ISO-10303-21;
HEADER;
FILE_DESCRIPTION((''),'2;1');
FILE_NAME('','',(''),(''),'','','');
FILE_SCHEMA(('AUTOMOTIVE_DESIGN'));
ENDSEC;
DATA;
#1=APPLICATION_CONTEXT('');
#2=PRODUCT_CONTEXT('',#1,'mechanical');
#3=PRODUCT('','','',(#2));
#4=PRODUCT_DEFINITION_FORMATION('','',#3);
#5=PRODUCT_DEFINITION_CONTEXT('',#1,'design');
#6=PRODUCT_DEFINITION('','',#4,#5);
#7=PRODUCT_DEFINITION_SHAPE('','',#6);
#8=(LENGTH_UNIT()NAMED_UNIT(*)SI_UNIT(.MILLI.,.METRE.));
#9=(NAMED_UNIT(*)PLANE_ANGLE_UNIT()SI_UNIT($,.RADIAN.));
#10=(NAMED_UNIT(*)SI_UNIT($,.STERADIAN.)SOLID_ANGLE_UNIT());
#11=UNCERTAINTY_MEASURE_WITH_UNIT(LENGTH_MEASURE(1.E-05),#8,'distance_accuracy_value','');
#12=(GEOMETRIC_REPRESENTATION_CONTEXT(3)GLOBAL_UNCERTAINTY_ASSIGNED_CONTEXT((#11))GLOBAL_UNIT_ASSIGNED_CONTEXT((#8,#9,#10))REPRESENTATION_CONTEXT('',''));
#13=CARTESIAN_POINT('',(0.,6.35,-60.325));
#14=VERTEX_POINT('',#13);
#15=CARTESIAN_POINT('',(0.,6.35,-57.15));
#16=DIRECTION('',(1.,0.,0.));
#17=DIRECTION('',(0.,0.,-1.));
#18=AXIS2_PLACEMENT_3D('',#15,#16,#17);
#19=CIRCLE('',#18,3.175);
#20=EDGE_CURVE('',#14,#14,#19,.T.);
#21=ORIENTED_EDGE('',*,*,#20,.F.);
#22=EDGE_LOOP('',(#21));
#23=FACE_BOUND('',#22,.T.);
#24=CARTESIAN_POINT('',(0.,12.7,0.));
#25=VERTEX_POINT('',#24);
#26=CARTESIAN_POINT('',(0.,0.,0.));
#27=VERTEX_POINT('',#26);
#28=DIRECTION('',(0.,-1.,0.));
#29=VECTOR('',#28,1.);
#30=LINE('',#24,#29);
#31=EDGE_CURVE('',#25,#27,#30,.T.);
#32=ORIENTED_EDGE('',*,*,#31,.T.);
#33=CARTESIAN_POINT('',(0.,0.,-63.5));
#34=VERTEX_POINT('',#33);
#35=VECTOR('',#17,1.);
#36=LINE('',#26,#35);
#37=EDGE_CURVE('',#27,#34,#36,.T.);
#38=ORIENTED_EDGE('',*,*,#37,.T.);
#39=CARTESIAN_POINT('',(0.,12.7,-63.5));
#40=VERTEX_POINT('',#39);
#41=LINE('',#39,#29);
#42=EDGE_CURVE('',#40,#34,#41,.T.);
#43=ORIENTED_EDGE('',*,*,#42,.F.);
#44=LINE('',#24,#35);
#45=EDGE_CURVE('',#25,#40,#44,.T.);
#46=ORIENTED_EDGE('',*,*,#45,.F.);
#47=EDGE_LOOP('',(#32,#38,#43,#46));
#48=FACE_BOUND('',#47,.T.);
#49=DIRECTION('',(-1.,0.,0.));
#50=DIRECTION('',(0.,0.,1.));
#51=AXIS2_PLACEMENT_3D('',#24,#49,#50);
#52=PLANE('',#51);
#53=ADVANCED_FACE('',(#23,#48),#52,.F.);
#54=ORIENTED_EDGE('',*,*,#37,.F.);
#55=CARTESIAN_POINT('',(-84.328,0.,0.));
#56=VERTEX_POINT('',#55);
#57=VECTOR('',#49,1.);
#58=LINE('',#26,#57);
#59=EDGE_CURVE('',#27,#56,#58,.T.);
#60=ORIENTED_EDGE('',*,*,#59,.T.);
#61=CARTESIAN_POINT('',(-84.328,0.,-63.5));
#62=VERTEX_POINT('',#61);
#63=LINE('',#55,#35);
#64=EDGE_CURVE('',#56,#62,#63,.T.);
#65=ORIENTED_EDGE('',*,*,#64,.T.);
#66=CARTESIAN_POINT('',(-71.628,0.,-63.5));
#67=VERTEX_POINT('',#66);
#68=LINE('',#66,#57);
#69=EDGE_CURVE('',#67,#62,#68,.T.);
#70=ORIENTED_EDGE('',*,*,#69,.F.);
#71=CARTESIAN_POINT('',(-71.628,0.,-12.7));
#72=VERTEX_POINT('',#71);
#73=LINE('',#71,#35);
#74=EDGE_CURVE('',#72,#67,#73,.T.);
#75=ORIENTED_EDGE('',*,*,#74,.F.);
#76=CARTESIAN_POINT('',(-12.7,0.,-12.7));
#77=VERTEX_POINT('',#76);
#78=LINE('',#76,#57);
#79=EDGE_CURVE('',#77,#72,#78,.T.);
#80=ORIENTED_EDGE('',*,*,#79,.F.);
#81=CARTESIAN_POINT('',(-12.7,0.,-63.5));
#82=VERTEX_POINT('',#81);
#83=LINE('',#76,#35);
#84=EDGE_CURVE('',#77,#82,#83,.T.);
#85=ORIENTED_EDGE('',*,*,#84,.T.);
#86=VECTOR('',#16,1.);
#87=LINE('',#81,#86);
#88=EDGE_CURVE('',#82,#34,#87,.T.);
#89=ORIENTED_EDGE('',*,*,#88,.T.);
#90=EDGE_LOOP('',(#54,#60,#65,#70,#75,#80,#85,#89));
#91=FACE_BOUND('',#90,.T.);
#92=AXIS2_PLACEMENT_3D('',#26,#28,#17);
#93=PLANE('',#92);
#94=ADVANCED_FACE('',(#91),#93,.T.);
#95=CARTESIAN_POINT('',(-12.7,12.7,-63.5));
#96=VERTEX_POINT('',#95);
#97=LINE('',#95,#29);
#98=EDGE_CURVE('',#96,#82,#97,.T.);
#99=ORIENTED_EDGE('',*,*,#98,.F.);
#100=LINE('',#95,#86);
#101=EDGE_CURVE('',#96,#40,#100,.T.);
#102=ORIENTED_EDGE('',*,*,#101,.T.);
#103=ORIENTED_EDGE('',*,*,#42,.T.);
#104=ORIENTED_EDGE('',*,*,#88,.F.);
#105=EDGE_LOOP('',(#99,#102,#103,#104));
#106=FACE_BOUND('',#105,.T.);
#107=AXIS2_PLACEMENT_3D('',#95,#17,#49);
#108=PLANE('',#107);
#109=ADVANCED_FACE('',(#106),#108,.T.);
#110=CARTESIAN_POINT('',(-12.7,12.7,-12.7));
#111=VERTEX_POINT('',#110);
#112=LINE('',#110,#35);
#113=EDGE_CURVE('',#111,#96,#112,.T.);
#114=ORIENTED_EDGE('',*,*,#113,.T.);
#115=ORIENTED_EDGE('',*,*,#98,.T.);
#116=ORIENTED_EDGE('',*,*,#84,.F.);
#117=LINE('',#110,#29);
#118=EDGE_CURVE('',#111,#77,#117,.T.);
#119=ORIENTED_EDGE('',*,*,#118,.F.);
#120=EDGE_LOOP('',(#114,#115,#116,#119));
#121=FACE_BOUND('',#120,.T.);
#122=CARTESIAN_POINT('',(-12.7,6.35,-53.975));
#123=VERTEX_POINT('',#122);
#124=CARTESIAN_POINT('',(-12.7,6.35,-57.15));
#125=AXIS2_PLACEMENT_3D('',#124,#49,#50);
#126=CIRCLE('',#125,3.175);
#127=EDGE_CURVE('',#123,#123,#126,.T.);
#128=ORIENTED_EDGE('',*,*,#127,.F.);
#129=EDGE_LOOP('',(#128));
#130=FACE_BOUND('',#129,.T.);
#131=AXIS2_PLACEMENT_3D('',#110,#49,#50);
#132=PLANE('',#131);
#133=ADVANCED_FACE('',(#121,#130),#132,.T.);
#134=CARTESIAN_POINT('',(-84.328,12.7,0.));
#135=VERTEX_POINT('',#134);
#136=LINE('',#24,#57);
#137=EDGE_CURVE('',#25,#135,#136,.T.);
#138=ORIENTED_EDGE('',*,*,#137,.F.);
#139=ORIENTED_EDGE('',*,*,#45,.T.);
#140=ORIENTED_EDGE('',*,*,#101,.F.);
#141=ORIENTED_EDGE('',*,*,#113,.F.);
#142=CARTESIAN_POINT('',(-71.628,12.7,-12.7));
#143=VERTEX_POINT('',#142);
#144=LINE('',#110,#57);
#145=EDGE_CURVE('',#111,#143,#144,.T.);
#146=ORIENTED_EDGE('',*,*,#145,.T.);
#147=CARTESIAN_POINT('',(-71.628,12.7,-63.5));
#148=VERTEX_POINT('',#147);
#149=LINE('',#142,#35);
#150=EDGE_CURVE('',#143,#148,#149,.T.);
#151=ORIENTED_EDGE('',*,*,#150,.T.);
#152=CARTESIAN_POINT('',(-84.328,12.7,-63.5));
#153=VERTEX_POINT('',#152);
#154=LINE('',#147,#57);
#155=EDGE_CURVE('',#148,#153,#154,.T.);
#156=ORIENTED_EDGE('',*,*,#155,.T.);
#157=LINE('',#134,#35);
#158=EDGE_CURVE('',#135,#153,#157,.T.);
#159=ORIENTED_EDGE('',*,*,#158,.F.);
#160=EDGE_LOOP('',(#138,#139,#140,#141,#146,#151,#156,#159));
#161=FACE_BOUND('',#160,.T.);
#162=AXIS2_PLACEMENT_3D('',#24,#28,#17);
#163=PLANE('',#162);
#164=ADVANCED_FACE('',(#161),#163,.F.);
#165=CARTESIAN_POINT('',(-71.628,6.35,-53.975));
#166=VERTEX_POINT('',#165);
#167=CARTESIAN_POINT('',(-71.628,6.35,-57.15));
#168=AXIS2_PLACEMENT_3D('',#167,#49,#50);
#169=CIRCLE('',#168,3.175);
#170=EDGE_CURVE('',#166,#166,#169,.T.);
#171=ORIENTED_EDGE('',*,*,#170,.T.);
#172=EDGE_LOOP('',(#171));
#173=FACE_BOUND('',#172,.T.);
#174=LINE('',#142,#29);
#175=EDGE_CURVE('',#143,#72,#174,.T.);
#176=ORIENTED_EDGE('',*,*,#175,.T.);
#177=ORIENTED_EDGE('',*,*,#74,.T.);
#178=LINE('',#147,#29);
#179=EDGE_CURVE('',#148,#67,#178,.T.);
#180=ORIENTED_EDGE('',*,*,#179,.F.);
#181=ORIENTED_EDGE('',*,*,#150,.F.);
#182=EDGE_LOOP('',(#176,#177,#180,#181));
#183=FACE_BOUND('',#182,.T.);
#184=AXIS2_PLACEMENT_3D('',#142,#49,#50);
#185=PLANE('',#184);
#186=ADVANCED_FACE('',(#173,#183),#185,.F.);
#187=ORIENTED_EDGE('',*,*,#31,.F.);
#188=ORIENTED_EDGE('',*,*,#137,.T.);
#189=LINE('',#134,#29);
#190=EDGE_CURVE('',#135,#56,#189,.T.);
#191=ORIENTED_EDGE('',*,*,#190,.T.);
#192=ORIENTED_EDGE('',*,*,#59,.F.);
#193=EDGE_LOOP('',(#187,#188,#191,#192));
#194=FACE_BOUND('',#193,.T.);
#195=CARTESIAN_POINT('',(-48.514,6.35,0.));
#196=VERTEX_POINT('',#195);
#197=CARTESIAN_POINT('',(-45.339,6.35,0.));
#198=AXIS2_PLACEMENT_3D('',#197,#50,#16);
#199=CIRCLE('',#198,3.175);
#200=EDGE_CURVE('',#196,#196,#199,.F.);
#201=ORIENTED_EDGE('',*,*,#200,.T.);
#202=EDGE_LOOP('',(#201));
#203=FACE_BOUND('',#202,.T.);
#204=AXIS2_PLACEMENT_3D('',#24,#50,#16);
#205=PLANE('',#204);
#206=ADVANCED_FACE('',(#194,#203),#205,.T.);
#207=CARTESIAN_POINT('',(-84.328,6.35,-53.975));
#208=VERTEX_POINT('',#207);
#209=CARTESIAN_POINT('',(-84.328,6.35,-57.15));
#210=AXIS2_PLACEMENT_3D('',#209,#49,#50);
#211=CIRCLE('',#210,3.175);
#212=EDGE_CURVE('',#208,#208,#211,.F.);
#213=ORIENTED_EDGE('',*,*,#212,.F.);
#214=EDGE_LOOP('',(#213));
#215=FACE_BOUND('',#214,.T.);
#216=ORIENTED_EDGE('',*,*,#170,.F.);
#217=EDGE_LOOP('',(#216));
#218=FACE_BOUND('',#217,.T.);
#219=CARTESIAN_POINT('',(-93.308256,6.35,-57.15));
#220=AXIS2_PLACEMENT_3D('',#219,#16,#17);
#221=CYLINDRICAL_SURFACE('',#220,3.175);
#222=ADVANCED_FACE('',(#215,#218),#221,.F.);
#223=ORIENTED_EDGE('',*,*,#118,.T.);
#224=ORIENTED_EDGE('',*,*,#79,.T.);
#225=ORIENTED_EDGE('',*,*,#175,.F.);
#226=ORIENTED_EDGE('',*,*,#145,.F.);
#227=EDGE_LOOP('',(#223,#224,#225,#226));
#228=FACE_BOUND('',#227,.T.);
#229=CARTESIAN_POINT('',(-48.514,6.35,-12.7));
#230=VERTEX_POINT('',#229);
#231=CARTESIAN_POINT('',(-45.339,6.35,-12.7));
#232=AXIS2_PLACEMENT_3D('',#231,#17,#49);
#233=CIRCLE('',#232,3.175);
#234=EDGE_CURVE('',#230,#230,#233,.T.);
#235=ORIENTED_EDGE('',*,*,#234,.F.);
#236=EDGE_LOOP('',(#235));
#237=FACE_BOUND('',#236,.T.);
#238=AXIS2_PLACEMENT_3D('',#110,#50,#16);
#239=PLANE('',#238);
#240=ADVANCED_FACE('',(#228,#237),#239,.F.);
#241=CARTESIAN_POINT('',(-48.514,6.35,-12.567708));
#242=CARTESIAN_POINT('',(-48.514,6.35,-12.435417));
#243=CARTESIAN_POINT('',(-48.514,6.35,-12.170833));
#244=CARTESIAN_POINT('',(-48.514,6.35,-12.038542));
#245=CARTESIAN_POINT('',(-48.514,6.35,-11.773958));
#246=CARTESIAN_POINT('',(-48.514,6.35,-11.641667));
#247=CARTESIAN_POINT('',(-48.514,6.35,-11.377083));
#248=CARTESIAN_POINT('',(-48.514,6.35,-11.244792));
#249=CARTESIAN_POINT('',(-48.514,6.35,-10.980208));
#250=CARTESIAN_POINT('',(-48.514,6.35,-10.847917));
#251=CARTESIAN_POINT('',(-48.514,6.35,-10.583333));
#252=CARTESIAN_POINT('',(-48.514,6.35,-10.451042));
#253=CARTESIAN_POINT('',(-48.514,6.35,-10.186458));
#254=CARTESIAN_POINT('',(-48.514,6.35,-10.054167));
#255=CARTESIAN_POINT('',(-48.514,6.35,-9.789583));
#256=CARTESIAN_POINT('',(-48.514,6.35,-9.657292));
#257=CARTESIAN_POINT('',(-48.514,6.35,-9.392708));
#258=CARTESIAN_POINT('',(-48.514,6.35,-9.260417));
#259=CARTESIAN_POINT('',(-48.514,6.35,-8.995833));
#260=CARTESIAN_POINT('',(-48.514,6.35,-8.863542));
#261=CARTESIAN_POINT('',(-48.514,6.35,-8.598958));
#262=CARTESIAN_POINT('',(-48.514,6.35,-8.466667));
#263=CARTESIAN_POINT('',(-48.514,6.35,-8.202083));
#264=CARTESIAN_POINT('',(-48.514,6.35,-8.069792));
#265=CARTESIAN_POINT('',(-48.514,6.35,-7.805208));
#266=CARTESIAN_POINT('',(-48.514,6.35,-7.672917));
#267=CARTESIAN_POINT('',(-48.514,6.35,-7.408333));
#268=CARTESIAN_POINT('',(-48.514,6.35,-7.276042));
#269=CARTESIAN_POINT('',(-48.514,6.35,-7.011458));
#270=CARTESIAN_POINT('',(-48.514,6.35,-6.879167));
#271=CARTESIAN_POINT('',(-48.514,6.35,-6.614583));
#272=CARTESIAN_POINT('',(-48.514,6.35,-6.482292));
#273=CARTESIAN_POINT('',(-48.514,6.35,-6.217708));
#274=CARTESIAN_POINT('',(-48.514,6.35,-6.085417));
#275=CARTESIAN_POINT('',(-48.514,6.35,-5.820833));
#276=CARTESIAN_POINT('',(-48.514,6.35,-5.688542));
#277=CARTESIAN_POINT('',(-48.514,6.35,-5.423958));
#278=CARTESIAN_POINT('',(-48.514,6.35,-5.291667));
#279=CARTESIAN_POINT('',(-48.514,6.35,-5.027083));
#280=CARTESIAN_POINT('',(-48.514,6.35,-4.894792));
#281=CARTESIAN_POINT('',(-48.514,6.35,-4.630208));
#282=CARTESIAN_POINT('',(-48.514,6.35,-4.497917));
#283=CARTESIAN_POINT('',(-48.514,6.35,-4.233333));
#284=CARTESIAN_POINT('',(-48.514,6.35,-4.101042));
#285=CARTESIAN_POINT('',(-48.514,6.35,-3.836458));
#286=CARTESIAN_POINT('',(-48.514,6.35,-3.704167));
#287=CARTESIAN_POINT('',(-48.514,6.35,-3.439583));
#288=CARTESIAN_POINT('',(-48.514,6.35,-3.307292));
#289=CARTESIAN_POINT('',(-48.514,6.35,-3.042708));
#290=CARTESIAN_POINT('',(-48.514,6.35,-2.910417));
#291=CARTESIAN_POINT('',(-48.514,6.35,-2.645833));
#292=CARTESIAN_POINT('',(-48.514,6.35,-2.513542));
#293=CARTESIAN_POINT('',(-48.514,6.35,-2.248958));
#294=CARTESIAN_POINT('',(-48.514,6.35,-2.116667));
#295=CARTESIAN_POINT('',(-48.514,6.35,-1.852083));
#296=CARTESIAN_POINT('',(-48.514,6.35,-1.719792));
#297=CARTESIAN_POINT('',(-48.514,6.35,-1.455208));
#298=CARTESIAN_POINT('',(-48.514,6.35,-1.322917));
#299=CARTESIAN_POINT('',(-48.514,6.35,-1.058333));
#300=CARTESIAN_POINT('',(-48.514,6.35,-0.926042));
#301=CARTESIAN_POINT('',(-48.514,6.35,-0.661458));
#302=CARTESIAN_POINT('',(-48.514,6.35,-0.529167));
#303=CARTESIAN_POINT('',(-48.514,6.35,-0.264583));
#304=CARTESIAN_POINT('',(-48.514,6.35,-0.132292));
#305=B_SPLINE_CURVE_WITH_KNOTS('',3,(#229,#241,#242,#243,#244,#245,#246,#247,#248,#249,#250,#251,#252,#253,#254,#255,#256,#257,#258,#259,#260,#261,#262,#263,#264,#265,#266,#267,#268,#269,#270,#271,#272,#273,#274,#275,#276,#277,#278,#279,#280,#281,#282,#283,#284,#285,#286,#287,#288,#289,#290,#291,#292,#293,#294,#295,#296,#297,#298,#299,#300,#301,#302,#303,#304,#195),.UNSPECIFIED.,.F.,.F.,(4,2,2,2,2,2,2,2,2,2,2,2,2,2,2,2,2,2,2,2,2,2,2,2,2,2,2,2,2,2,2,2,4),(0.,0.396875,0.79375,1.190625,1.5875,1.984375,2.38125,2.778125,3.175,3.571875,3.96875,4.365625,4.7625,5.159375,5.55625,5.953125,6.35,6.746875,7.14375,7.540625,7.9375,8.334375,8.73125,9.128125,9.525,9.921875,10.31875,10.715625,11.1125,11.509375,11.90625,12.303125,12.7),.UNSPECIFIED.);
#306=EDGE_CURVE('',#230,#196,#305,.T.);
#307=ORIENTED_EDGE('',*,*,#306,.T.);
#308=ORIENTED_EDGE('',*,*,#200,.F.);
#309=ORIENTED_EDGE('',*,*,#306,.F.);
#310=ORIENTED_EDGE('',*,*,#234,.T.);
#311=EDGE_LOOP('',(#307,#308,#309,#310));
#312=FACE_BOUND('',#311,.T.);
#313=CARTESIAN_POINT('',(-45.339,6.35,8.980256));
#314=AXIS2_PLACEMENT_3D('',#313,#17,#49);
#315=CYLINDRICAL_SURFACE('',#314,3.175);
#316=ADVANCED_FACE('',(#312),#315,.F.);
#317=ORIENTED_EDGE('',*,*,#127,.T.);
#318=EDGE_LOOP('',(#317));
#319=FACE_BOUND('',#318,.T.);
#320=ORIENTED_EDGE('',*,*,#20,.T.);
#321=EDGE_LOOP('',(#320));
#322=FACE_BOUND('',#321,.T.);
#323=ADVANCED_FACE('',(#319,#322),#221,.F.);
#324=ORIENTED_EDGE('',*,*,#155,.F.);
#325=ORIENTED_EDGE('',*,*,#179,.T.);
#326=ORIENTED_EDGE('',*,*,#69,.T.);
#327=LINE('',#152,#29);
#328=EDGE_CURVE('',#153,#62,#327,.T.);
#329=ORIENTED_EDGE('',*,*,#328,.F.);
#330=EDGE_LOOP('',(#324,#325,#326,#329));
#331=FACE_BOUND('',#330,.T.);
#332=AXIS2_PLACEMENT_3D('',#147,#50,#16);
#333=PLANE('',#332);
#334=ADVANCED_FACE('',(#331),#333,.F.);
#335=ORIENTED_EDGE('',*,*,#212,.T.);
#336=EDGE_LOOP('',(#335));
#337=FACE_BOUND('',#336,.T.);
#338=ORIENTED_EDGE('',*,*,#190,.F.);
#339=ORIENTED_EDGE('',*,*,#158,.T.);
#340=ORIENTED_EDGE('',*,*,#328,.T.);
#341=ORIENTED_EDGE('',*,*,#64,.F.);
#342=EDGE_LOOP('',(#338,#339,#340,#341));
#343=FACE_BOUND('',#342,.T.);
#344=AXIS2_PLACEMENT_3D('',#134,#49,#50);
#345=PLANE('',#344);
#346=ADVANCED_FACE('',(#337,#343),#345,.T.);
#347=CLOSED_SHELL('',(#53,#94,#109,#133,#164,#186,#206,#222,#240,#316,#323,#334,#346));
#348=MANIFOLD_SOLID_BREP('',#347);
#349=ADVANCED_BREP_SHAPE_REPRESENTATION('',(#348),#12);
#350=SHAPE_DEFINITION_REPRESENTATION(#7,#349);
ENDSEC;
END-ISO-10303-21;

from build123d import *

# Parameters (mm, degrees)
BOSS_EXTRUDE1_DEPTH = 12.7
CUT_EXTRUDE1_REACH  = 108.324
SKETCH2_R           = 3.175
SKETCH3_R           = 3.175
CUT_EXTRUDE2_DEPTH  = 12.7


with BuildPart() as part:
    # Sketch1 → Boss-Extrude1 (new body)
    with BuildSketch(Plane(origin=(0, 0, 0), x_dir=(1, 0, 0), z_dir=(0, 1, 0))):
        Polygon((0, 0), (-84.328, 0), (-84.328, 63.5), (-71.628, 63.5), (-71.628, 12.7), (-12.7, 12.7), (-12.7, 63.5), (0, 63.5), align=None)
    extrude(amount=BOSS_EXTRUDE1_DEPTH)

    # Cut-Extrude1: up to this face of the body (flat: up to its plane)
    cut_extrude1_end = Plane(part.part.faces().sort_by_distance((-84.328, 6.35, -31.75))[0])
    # Sketch2 → Cut-Extrude1 (cut, up to the picked face)
    with BuildSketch(Plane(origin=(0, 0, 0), x_dir=(0, 0, -1), z_dir=(1, 0, 0)), mode=Mode.PRIVATE) as cut_extrude1_sk1:
        with Locations(Location((57.15, 6.35, 0), (0, 0, 180))):
            Circle(SKETCH2_R)
    cut_extrude1_tool1 = split(extrude(cut_extrude1_sk1.sketch, amount=-CUT_EXTRUDE1_REACH, mode=Mode.PRIVATE), bisect_by=cut_extrude1_end, keep=Keep.BOTH, mode=Mode.PRIVATE)
    add(cut_extrude1_tool1.solids().sort_by(Axis((0, 6.35, -57.15), (-1, 0, 0)))[0], mode=Mode.SUBTRACT)

    # Sketch3 → Cut-Extrude2 (cut)
    with BuildSketch(Plane(origin=(0, 0, -12.7), x_dir=(-1, 0, 0), z_dir=(0, 0, -1))):
        with Locations((45.339, 6.35)):
            Circle(SKETCH3_R)
    extrude(amount=-CUT_EXTRUDE2_DEPTH, mode=Mode.SUBTRACT)


solid = part.part
